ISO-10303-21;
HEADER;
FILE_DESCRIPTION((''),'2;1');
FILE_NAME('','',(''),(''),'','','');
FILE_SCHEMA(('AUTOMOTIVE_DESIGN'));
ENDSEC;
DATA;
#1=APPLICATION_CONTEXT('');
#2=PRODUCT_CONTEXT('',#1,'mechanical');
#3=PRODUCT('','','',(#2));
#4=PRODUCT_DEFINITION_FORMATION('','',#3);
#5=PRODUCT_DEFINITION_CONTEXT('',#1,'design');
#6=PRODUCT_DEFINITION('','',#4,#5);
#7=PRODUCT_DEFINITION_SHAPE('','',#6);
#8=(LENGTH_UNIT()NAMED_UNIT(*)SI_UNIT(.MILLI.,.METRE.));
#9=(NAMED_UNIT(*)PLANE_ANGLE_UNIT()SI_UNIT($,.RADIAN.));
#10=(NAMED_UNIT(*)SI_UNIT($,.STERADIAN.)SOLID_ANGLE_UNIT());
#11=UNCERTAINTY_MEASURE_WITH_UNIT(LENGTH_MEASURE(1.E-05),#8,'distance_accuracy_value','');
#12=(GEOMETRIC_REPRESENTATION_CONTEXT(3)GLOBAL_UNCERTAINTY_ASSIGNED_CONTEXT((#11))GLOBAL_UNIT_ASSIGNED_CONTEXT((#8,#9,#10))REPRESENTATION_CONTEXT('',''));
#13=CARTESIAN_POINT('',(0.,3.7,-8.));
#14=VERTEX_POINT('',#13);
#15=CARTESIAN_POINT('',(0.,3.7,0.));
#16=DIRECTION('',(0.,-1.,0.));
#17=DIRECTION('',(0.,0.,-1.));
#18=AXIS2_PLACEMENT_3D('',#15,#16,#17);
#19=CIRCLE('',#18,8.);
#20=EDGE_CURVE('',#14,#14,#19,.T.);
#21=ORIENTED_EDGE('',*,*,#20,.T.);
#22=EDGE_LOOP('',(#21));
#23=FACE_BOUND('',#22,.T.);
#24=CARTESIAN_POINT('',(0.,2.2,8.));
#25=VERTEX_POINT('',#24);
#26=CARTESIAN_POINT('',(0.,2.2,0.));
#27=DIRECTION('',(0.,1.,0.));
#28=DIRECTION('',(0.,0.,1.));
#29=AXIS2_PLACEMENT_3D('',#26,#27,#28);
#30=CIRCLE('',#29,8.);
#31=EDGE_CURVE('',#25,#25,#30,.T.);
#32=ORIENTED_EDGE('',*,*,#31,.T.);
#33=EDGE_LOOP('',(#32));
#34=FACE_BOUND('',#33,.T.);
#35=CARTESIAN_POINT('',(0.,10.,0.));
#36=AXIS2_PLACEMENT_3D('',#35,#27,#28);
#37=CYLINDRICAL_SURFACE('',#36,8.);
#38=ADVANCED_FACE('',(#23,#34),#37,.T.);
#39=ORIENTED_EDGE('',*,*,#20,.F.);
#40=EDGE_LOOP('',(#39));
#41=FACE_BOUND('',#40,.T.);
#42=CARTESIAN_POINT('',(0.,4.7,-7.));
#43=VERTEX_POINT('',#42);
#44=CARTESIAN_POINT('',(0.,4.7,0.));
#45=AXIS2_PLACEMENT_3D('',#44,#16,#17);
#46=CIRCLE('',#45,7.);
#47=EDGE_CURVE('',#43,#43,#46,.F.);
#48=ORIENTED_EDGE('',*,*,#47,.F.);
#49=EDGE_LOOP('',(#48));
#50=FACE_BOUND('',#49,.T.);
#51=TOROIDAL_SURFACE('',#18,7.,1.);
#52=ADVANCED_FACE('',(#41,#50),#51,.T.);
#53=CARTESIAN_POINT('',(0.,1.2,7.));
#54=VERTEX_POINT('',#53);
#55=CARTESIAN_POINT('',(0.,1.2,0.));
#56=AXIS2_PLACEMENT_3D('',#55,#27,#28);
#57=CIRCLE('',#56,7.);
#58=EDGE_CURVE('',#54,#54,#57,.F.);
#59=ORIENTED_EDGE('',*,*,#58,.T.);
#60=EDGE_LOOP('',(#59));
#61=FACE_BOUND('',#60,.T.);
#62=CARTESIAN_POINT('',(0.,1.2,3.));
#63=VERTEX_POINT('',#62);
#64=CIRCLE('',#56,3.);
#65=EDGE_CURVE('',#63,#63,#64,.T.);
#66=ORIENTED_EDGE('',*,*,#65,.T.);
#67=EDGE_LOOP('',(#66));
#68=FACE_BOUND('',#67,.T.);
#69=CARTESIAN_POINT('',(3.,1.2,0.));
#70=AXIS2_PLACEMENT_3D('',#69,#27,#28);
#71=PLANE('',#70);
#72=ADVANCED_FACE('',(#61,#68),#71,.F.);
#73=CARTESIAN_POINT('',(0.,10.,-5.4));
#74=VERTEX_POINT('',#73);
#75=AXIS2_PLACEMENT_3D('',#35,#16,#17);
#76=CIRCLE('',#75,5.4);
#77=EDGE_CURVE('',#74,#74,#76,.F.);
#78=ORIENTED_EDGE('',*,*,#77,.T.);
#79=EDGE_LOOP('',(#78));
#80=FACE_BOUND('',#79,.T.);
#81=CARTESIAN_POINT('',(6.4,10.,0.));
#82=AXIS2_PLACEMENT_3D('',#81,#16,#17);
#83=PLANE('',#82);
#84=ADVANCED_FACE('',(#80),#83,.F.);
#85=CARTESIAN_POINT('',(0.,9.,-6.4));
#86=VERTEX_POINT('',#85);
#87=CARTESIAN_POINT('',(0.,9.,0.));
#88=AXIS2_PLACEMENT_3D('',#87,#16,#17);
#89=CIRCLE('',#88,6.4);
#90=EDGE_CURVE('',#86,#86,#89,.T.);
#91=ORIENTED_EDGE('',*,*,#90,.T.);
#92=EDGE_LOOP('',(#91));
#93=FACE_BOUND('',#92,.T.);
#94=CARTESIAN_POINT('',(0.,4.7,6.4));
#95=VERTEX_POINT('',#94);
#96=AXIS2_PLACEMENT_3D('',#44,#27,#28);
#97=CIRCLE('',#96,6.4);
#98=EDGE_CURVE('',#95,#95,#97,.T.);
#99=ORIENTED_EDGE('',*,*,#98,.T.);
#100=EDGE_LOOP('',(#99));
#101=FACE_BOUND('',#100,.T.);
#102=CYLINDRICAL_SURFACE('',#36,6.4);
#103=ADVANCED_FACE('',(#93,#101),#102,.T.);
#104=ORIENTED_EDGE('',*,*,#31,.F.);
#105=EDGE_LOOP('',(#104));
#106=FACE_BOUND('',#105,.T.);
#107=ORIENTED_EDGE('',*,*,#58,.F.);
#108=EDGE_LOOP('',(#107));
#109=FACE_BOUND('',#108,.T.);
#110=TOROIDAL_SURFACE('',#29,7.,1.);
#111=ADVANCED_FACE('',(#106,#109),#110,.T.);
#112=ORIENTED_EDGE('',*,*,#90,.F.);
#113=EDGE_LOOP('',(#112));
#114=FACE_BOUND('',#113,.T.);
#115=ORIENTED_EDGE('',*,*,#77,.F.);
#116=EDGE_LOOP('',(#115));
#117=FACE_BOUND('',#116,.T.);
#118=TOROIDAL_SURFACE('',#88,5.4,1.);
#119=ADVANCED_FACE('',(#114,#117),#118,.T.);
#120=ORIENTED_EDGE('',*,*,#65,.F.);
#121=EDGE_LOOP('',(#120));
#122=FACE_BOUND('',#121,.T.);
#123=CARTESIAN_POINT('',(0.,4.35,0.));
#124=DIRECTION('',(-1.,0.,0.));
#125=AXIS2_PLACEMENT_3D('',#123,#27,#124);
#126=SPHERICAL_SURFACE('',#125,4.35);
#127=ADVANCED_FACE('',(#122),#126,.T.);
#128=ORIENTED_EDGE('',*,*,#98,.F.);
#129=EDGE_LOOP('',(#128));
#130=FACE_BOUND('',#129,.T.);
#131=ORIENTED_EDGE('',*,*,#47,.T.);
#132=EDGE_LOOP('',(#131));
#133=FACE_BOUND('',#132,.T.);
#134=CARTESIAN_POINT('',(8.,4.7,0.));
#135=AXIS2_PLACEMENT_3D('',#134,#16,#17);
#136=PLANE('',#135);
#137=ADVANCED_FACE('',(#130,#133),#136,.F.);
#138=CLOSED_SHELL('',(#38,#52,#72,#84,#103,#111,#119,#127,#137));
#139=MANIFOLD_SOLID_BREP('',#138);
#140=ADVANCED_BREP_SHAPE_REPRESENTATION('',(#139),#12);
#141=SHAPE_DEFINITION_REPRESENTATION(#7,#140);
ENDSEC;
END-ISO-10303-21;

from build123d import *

# Parameters (mm, degrees)
CONG_1_R = 1


with BuildPart() as part:
    # Esquisse1 → Révolution1 (revolve)
    with BuildSketch(Plane.XY, mode=Mode.PRIVATE) as r_volution1_sk:
        with BuildLine():
            Line((3, 1.2), (8, 1.2))
            Line((8, 1.2), (8, 4.7))
            Line((8, 4.7), (6.4, 4.7))
            Line((6.4, 4.7), (6.4, 10))
            Line((6.4, 10), (0, 10))
            Line((0, 10), (0, 0))
            ThreePointArc((0, 0), (1.615549442, 0.311126395), (3, 1.2))
        make_face()
    revolve(r_volution1_sk.sketch.rotate(Axis((0, 10, 0), (0, -1, 0)), 90), axis=Axis((0, 10, 0), (0, -1, 0)))

    # Congé1
    cong_1_edges = [part.edges().sort_by_distance(p)[0] for p in [
        (0, 10, -6.4),
        (0, 4.7, -8),
        (0, 1.2, -8),
    ]]
    fillet(cong_1_edges, radius=CONG_1_R)


solid = part.part
